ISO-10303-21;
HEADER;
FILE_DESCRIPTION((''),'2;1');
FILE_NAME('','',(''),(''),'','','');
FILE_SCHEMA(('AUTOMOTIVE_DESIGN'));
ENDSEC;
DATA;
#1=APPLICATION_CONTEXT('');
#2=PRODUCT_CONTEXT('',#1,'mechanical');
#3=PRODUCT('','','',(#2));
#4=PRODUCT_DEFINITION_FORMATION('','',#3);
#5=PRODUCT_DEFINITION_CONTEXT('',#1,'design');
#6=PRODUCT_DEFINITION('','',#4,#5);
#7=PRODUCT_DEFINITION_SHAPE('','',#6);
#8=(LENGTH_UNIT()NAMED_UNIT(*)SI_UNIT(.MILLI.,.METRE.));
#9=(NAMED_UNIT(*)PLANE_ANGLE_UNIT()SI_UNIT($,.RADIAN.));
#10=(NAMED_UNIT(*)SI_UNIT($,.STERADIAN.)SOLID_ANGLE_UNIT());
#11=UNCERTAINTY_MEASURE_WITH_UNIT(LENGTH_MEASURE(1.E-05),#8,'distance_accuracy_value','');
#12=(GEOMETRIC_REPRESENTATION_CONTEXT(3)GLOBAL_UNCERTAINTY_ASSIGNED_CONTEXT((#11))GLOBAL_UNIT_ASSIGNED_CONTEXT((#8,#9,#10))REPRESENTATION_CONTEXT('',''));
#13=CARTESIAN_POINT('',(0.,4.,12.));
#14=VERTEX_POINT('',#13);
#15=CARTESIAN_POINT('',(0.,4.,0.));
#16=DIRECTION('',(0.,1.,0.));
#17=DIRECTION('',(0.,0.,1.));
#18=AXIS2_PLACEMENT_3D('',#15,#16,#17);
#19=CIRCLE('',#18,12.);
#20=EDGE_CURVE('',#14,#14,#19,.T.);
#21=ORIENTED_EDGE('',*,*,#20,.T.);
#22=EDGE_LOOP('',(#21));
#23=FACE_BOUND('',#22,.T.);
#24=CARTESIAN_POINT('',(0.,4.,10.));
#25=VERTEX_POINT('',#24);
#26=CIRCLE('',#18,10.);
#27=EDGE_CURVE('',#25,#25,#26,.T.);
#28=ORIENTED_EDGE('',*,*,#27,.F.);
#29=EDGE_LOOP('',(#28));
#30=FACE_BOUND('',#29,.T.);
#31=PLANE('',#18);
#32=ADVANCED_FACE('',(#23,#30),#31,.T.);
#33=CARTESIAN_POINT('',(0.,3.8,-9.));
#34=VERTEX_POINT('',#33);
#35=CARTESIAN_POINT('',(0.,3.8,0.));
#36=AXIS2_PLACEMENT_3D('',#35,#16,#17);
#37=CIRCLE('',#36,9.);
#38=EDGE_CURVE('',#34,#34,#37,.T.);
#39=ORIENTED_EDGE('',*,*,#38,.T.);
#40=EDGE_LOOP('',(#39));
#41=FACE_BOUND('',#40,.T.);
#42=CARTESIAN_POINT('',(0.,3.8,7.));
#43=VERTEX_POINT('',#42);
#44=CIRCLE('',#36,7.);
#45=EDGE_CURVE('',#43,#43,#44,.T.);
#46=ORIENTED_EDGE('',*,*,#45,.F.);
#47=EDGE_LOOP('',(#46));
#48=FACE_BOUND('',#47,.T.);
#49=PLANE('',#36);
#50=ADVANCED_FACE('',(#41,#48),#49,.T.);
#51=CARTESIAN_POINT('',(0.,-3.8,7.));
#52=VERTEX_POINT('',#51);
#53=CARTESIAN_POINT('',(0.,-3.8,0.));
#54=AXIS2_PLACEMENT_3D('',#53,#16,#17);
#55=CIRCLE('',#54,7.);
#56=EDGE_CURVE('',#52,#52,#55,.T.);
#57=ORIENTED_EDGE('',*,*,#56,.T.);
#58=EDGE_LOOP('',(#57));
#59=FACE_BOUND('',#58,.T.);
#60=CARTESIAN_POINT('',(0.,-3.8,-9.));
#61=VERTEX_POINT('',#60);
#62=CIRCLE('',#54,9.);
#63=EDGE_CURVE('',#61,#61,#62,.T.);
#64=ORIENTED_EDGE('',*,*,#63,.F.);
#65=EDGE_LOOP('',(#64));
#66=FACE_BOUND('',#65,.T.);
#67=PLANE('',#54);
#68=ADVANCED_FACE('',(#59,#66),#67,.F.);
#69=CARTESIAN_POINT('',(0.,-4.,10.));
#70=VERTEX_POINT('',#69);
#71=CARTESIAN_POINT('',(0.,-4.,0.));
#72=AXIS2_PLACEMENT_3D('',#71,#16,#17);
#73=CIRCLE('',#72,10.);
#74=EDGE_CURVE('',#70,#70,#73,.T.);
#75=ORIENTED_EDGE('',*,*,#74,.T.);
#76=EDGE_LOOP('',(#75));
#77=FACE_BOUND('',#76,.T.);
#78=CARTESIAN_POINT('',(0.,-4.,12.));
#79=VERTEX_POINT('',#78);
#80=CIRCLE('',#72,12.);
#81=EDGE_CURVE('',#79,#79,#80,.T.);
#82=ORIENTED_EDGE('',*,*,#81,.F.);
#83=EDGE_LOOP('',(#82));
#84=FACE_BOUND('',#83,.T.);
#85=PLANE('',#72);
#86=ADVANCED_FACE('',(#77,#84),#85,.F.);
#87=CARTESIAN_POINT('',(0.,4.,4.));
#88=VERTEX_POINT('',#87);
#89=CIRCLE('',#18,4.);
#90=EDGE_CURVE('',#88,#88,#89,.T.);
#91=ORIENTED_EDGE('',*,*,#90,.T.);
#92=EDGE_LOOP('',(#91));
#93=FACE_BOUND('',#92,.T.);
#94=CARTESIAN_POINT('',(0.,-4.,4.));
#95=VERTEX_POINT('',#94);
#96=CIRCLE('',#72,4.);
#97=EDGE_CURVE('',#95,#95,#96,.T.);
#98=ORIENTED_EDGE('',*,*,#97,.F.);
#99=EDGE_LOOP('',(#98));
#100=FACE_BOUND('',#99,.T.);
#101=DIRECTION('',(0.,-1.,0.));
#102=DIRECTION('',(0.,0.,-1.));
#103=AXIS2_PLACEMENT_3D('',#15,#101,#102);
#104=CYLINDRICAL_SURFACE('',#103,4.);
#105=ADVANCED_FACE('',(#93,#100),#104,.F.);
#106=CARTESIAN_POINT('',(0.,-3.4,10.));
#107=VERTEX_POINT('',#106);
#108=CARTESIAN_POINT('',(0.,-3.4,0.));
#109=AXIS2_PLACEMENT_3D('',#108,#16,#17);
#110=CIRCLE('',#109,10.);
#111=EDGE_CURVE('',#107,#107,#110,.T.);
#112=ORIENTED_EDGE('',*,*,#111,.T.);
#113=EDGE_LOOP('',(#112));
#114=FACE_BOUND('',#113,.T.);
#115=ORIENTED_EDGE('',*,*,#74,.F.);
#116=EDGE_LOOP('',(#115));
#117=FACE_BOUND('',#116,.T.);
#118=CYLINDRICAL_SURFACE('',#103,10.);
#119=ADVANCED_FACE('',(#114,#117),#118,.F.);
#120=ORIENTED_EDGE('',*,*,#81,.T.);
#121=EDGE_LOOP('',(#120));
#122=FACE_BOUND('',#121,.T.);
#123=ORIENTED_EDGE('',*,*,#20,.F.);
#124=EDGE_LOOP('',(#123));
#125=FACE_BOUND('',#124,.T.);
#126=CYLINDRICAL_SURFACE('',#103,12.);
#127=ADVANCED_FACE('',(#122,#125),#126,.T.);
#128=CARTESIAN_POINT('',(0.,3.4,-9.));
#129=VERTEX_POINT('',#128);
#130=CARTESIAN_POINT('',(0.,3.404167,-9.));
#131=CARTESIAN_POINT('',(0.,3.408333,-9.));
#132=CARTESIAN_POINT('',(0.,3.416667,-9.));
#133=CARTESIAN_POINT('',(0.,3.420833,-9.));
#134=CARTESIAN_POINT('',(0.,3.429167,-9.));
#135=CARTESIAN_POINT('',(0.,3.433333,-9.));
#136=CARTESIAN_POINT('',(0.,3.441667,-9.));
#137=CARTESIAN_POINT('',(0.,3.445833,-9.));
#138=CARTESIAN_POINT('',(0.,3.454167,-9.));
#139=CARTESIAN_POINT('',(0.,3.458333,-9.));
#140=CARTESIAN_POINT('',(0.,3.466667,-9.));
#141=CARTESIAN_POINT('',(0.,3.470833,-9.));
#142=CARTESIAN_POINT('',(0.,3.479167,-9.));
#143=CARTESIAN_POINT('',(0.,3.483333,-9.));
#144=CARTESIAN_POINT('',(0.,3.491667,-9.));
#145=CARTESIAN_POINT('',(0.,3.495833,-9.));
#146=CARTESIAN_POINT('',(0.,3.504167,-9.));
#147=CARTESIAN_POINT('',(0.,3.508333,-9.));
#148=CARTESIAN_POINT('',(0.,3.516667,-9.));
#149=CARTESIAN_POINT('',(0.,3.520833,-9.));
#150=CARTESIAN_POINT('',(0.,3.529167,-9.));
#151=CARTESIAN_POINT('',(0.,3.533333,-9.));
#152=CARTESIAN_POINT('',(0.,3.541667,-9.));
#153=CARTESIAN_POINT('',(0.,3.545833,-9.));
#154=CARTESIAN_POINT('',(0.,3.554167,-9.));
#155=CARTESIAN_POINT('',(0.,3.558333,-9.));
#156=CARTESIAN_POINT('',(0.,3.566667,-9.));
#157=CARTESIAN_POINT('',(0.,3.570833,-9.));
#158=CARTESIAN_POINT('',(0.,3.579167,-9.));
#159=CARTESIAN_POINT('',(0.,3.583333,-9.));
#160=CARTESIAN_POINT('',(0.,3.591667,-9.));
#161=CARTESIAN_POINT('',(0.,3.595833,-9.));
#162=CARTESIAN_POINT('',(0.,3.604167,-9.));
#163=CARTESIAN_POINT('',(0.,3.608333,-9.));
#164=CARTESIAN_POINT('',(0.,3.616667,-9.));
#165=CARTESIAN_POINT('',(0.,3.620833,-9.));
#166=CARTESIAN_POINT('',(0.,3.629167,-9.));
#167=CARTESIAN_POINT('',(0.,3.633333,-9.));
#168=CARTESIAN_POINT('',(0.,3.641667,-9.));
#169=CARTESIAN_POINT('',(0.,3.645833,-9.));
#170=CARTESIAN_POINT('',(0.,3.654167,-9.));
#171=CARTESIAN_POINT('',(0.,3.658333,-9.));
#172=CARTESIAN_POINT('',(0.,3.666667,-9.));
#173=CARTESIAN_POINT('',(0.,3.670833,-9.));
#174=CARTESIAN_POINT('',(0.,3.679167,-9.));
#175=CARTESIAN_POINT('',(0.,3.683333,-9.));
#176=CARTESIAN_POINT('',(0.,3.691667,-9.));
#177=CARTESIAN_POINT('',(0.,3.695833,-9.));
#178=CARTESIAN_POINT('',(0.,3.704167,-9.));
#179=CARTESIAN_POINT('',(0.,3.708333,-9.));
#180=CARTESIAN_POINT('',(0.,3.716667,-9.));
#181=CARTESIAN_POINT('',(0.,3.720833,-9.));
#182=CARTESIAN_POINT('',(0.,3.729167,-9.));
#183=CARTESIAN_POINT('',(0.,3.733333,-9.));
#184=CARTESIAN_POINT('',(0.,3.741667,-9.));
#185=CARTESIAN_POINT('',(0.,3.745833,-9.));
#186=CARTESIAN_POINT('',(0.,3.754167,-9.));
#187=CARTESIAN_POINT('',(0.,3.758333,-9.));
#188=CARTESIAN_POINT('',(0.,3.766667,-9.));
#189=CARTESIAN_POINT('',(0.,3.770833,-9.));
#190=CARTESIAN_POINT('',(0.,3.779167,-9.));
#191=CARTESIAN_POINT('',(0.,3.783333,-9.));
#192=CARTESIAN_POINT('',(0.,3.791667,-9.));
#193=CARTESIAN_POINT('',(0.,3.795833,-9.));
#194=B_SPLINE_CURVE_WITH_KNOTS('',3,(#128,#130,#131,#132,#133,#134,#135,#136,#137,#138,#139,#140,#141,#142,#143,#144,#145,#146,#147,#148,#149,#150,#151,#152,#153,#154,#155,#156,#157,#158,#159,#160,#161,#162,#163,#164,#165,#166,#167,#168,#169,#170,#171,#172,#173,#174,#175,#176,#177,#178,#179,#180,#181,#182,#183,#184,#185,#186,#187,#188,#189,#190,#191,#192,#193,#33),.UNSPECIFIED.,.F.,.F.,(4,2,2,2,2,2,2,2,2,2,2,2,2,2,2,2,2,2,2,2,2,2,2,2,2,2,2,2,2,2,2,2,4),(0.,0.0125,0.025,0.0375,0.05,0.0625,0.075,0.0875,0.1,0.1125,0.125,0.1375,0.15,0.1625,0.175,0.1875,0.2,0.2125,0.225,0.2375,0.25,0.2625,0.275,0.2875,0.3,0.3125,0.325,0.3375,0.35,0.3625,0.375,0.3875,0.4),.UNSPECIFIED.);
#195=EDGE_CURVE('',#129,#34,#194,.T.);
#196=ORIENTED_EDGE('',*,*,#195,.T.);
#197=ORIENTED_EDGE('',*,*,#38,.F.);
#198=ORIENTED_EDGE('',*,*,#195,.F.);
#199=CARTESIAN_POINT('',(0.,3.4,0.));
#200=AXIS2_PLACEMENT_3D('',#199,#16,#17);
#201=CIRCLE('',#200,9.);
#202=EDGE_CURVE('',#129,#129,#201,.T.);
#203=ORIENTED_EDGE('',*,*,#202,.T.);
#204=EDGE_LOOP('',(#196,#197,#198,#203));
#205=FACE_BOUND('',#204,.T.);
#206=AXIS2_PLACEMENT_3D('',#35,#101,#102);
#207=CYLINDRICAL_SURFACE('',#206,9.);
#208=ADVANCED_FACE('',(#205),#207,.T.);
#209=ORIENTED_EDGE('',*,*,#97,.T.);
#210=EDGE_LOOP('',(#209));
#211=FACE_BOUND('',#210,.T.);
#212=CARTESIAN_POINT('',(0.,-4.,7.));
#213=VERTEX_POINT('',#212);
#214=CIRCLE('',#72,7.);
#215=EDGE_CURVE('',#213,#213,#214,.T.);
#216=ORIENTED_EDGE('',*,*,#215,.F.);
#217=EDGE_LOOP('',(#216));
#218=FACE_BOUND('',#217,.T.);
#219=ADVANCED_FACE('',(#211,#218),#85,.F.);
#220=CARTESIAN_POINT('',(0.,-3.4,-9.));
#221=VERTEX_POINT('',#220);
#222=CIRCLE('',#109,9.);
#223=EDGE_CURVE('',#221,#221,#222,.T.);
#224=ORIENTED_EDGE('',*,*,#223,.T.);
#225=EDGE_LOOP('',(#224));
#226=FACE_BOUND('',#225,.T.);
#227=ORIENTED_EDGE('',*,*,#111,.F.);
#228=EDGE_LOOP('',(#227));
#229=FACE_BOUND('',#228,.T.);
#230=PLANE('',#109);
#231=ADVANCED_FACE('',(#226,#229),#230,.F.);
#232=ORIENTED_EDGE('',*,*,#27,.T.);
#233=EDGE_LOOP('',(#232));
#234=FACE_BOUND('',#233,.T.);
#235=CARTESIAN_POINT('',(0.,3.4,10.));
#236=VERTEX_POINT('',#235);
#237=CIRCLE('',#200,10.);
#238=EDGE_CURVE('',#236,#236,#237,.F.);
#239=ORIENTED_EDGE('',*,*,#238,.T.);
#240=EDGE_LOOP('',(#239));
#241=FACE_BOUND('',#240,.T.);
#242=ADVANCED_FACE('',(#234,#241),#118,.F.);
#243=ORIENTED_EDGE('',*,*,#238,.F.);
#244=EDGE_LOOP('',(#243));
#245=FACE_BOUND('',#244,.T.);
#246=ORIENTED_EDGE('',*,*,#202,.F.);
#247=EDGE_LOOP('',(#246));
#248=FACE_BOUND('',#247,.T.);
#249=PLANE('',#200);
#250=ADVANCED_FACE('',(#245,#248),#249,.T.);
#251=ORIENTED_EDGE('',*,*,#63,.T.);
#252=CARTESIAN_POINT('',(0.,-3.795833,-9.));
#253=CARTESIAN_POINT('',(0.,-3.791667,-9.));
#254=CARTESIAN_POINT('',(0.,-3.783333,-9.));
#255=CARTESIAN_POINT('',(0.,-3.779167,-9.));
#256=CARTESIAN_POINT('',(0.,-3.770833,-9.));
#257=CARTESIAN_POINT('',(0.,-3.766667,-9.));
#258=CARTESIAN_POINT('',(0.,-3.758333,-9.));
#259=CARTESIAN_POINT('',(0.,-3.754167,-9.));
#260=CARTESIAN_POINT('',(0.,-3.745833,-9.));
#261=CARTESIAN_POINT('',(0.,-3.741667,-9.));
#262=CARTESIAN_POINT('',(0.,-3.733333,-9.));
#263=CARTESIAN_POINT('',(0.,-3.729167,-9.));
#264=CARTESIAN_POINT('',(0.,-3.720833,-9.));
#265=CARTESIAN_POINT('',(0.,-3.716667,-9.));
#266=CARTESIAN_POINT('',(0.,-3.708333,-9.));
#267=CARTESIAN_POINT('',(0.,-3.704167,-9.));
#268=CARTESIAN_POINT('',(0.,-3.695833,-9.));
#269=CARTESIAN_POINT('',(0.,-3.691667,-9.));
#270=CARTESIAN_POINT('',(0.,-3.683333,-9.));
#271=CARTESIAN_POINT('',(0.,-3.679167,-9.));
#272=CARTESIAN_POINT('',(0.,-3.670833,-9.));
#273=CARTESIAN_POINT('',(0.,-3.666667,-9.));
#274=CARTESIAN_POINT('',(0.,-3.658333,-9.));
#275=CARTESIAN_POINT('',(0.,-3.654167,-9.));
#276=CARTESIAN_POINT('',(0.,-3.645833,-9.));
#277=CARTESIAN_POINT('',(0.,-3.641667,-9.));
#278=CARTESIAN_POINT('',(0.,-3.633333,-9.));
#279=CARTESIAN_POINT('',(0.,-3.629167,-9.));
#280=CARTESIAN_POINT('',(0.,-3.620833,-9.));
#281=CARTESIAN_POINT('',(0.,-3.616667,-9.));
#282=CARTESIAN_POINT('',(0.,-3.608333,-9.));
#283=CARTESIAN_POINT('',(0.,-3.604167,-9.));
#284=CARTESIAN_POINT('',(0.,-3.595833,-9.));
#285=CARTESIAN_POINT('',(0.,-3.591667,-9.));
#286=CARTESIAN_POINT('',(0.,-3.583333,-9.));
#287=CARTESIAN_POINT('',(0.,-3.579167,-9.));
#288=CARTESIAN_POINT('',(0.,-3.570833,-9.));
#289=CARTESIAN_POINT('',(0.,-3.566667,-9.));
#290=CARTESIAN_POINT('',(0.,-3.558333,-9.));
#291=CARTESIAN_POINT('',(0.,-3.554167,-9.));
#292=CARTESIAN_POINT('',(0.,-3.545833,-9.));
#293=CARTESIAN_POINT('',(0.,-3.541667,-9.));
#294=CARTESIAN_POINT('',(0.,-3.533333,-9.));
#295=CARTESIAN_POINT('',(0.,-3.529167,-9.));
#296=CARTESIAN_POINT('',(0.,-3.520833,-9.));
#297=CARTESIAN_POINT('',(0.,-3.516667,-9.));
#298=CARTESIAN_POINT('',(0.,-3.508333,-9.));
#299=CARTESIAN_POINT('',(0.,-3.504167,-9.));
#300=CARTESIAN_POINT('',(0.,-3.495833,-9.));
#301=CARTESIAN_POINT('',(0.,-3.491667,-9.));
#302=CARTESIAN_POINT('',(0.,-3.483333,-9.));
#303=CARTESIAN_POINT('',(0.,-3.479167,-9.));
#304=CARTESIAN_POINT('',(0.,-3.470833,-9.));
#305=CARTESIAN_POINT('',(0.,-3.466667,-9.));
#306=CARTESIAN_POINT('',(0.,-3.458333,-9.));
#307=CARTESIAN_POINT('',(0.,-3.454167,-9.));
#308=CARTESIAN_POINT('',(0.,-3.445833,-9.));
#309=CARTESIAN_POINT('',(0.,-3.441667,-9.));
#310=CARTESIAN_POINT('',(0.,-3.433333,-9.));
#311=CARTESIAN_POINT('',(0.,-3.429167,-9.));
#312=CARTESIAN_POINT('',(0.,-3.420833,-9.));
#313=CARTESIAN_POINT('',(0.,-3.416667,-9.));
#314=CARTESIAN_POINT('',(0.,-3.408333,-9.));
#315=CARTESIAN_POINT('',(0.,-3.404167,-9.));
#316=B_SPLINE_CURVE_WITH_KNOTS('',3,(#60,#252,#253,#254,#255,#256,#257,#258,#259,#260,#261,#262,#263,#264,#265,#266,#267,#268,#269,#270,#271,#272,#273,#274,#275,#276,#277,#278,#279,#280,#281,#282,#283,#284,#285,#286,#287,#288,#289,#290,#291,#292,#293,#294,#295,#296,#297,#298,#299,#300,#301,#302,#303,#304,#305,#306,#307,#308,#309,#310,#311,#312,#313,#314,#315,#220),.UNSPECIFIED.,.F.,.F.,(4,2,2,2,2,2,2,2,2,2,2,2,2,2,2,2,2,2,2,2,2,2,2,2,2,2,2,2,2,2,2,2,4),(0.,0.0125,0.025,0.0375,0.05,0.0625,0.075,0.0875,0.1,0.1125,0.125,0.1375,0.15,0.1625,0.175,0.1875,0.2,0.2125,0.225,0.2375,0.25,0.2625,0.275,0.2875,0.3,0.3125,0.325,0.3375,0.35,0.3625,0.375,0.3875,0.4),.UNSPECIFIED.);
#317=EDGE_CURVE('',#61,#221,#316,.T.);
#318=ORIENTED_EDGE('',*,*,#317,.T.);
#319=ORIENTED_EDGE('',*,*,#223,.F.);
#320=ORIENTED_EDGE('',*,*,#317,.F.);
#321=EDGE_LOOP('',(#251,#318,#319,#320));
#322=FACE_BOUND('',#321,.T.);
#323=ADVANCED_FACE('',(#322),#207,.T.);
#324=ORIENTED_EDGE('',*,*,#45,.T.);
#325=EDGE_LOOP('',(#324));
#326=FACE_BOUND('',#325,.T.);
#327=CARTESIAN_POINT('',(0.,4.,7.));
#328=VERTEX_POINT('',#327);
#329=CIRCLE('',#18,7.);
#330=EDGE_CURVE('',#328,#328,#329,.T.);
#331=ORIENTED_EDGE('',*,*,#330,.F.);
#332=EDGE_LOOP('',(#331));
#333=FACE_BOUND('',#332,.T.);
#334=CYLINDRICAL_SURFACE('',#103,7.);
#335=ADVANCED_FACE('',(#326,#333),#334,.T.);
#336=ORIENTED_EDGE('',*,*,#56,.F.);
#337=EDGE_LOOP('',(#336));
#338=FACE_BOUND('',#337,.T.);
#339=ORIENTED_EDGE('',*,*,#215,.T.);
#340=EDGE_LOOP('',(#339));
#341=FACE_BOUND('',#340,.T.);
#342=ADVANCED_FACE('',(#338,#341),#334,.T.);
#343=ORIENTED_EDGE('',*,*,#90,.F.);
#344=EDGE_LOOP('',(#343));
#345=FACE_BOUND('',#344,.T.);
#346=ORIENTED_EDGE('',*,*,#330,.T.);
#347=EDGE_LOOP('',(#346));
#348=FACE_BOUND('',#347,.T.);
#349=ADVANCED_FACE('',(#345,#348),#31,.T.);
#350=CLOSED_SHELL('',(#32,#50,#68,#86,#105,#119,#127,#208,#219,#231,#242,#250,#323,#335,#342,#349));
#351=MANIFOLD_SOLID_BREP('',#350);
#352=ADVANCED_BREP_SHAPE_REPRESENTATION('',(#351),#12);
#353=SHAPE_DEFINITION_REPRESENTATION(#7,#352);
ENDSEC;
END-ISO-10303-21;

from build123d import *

# Parameters (mm, degrees)
SKETCH1_R           = 7
SKETCH1_R_2         = 4
BOSS_EXTRUDE1_DEPTH = 4
SKETCH3_R           = 9
SKETCH3_R_2         = 7
BOSS_EXTRUDE2_DEPTH = 3.8
SKETCH4_R           = 10
SKETCH4_R_2         = 9
BOSS_EXTRUDE3_DEPTH = 3.4
SKETCH5_R           = 12
SKETCH5_R_2         = 10
BOSS_EXTRUDE4_DEPTH = 4


with BuildPart() as part:
    # Sketch1 → Boss-Extrude1 (new, symmetric)
    with BuildSketch(Plane(origin=(0, 0, 0), x_dir=(1, 0, 0), z_dir=(0, 1, 0))):
        with Locations(Location((0, 0, 0), (0, 0, 270))):
            Circle(SKETCH1_R)
        with Locations(Location((0, 0, 0), (0, 0, 270))):
            Circle(SKETCH1_R_2, mode=Mode.SUBTRACT)
    extrude(amount=BOSS_EXTRUDE1_DEPTH, both=True)

    # Sketch3 → Boss-Extrude2 (add, symmetric)
    with BuildSketch(Plane(origin=(0, 0, 0), x_dir=(1, 0, 0), z_dir=(0, 1, 0))):
        with Locations(Location((0, 0, 0), (0, 0, 90))):
            Circle(SKETCH3_R)
        with Locations(Location((0, 0, 0), (0, 0, 270))):
            Circle(SKETCH3_R_2, mode=Mode.SUBTRACT)
    extrude(amount=BOSS_EXTRUDE2_DEPTH, both=True)

    # Sketch4 → Boss-Extrude3 (add, symmetric)
    with BuildSketch(Plane(origin=(0, 0, 0), x_dir=(1, 0, 0), z_dir=(0, 1, 0))):
        with Locations(Location((0, 0, 0), (0, 0, 270))):
            Circle(SKETCH4_R)
        with Locations(Location((0, 0, 0), (0, 0, 90))):
            Circle(SKETCH4_R_2, mode=Mode.SUBTRACT)
    extrude(amount=BOSS_EXTRUDE3_DEPTH, both=True)

    # Sketch5 → Boss-Extrude4 (add, symmetric)
    with BuildSketch(Plane(origin=(0, 0, 0), x_dir=(1, 0, 0), z_dir=(0, 1, 0))):
        with Locations(Location((0, 0, 0), (0, 0, 270))):
            Circle(SKETCH5_R)
        with Locations(Location((0, 0, 0), (0, 0, 270))):
            Circle(SKETCH5_R_2, mode=Mode.SUBTRACT)
    extrude(amount=BOSS_EXTRUDE4_DEPTH, both=True)


solid = part.part
